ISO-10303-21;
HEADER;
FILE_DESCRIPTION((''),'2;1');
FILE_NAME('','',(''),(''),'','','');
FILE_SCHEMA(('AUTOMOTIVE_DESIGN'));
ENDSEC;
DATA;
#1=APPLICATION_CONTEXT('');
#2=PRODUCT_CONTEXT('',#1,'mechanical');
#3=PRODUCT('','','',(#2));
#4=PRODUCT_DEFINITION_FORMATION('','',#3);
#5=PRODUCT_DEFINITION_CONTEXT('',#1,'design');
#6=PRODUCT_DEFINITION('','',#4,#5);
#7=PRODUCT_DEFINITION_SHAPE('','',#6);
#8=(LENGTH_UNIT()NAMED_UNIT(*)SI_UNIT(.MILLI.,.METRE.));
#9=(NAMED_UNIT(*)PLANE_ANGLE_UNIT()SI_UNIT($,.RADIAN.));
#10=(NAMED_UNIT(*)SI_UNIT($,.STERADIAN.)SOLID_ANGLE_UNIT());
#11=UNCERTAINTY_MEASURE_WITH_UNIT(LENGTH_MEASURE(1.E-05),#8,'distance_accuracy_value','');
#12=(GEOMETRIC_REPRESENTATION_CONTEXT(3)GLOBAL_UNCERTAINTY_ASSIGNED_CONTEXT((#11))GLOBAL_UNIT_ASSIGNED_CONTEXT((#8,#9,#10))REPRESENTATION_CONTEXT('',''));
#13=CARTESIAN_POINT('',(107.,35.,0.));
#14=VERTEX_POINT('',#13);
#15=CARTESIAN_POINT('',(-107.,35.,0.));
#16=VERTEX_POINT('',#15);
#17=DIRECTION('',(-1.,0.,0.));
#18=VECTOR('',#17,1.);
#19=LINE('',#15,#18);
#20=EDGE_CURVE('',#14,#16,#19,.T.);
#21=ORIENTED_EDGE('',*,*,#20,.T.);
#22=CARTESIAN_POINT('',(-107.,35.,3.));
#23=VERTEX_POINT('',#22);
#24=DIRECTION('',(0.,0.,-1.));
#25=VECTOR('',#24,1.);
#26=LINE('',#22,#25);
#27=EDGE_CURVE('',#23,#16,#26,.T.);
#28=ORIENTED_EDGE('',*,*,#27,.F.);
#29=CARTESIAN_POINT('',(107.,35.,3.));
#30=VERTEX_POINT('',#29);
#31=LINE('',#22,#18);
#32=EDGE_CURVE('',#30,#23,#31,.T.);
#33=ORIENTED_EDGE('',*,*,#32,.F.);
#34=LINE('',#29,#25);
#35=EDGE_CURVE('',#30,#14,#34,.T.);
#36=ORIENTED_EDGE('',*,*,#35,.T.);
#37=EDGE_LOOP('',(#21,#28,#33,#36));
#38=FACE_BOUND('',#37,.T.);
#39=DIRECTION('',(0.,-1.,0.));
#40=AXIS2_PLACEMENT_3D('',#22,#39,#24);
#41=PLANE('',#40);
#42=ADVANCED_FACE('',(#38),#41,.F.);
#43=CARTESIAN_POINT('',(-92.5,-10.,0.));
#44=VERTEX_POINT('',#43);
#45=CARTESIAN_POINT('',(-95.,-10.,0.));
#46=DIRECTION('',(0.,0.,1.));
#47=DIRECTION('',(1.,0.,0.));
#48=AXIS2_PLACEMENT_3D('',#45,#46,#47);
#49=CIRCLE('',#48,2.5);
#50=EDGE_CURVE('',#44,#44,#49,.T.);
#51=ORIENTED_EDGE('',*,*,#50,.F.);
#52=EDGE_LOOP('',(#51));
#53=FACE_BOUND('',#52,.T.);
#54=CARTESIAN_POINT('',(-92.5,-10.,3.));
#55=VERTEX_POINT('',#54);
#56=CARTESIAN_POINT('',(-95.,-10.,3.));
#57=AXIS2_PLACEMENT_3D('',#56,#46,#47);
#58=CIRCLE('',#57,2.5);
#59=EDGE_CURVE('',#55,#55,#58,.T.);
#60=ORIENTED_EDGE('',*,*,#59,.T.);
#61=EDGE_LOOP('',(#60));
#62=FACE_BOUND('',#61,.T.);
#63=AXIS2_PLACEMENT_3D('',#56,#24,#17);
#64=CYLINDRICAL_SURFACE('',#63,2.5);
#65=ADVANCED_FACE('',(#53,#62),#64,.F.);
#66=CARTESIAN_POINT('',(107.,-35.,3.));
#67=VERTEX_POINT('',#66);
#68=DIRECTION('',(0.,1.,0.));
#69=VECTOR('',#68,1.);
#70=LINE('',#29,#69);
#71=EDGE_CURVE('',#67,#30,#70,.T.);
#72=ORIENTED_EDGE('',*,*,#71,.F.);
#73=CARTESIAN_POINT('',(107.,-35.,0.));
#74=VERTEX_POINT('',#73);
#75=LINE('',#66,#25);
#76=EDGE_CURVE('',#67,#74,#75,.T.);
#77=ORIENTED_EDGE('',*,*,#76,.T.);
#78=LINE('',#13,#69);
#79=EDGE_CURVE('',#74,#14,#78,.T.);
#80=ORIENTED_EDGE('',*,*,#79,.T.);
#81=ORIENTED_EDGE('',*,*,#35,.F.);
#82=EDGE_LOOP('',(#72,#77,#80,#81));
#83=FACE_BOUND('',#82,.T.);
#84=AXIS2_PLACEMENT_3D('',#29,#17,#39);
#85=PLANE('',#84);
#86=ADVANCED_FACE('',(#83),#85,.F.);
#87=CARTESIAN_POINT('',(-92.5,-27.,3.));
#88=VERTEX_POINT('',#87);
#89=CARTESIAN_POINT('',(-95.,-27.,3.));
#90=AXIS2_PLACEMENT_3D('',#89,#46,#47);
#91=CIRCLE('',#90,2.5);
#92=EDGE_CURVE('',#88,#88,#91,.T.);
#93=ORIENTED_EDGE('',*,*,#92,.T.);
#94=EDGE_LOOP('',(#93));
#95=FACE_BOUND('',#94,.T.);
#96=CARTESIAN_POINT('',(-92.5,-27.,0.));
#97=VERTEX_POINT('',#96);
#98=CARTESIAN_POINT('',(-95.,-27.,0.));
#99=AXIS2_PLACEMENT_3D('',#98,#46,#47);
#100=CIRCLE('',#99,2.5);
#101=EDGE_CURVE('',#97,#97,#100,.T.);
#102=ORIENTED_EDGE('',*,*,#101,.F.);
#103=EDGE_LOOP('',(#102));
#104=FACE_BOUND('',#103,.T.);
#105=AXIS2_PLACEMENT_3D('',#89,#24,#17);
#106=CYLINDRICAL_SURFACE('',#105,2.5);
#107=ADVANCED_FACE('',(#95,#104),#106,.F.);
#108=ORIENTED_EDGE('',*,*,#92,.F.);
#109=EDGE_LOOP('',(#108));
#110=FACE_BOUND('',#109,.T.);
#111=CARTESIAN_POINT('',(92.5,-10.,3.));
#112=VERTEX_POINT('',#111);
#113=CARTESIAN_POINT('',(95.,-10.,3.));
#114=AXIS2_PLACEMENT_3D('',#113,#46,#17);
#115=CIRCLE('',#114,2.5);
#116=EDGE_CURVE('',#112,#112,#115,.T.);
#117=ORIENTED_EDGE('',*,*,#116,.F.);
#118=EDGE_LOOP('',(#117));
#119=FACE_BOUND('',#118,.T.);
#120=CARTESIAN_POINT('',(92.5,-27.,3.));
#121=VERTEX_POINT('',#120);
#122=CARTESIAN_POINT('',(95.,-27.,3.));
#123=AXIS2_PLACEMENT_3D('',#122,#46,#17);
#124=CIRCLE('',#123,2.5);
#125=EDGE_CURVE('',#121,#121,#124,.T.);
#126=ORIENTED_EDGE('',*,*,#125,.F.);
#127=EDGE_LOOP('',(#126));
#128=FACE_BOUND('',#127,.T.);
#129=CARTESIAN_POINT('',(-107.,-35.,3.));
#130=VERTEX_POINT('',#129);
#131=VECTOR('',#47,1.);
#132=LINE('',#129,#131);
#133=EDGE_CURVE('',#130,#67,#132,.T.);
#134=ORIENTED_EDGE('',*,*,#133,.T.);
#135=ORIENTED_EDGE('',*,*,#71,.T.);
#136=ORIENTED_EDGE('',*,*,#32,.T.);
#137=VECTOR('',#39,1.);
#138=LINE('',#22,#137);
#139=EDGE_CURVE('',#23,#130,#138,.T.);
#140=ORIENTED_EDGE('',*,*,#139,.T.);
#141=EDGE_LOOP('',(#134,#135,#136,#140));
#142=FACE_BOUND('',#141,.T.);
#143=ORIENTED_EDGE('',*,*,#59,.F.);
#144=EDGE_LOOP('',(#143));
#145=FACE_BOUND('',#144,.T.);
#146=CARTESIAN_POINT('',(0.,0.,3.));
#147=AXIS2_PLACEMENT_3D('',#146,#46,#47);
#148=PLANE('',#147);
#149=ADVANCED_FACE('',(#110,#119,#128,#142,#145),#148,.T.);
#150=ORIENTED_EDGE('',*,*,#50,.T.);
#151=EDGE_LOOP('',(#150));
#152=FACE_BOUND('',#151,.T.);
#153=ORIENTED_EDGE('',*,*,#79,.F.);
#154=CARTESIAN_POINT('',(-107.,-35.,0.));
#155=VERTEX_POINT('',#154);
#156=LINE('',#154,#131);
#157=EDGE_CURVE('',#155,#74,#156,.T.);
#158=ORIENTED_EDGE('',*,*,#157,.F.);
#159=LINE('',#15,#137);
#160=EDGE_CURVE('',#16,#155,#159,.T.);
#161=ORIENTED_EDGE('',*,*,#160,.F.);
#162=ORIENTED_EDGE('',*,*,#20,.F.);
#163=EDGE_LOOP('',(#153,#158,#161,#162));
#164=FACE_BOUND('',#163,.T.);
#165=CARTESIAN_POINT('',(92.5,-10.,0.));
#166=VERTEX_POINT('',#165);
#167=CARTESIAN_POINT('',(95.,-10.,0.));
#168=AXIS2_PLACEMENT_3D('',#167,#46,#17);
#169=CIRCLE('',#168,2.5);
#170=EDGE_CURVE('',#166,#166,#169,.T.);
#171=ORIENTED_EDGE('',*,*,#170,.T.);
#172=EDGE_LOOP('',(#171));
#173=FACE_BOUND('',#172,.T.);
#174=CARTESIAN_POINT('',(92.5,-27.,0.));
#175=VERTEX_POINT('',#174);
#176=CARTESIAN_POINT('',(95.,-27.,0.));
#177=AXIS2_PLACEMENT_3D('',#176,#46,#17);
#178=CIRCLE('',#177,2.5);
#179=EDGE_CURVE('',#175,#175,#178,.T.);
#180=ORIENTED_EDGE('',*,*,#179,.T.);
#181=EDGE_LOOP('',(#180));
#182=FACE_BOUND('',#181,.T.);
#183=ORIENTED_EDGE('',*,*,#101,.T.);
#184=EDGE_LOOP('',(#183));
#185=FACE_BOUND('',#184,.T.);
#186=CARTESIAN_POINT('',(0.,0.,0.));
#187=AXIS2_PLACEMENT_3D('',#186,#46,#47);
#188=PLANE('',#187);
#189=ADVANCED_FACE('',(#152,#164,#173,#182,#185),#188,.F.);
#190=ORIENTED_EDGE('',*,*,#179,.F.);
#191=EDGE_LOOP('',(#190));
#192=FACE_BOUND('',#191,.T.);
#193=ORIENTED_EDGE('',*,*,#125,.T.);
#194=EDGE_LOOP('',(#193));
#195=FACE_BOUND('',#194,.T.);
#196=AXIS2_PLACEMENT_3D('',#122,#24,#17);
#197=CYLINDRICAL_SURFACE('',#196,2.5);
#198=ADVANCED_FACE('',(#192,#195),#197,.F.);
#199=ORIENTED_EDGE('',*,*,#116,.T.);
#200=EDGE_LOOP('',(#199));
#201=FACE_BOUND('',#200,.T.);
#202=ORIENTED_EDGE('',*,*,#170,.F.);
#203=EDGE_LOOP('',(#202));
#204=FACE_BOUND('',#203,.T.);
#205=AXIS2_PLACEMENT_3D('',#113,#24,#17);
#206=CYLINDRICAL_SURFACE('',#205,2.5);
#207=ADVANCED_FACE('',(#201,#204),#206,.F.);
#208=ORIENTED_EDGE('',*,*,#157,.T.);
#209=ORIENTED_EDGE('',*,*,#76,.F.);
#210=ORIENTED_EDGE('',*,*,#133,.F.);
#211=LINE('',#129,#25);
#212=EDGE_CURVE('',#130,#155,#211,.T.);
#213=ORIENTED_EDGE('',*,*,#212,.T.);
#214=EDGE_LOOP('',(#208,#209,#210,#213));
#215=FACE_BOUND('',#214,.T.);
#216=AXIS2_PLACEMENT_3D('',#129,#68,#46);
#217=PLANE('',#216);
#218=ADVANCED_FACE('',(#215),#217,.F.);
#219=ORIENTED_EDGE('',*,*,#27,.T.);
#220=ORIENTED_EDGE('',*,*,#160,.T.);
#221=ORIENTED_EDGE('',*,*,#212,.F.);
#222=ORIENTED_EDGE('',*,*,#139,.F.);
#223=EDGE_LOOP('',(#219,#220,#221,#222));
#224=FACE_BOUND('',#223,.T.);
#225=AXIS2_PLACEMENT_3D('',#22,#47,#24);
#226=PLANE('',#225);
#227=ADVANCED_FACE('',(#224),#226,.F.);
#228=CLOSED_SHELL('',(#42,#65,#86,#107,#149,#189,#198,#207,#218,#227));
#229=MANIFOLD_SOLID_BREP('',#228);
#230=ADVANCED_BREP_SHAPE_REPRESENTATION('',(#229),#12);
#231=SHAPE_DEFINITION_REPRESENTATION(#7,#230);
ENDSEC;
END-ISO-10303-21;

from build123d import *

# Parameters (mm, degrees)
SKETCH_1_W      = 214
SKETCH_1_H      = 70
SKETCH_1_R      = 2.5
EXTRUDE_1_DEPTH = 3


with BuildPart() as part:
    # 草图1 → 凸台-拉伸1 (new body)
    with BuildSketch(Plane.XY):
        Rectangle(SKETCH_1_W, SKETCH_1_H)
        with Locations((-95, -10)):
            Circle(SKETCH_1_R, mode=Mode.SUBTRACT)
        with Locations((-95, -27)):
            Circle(SKETCH_1_R, mode=Mode.SUBTRACT)
        with Locations(Location((95, -27, 0), (0, 0, 180))):
            Circle(SKETCH_1_R, mode=Mode.SUBTRACT)
        with Locations(Location((95, -10, 0), (0, 0, 180))):
            Circle(SKETCH_1_R, mode=Mode.SUBTRACT)
    extrude(amount=EXTRUDE_1_DEPTH)


solid = part.part
